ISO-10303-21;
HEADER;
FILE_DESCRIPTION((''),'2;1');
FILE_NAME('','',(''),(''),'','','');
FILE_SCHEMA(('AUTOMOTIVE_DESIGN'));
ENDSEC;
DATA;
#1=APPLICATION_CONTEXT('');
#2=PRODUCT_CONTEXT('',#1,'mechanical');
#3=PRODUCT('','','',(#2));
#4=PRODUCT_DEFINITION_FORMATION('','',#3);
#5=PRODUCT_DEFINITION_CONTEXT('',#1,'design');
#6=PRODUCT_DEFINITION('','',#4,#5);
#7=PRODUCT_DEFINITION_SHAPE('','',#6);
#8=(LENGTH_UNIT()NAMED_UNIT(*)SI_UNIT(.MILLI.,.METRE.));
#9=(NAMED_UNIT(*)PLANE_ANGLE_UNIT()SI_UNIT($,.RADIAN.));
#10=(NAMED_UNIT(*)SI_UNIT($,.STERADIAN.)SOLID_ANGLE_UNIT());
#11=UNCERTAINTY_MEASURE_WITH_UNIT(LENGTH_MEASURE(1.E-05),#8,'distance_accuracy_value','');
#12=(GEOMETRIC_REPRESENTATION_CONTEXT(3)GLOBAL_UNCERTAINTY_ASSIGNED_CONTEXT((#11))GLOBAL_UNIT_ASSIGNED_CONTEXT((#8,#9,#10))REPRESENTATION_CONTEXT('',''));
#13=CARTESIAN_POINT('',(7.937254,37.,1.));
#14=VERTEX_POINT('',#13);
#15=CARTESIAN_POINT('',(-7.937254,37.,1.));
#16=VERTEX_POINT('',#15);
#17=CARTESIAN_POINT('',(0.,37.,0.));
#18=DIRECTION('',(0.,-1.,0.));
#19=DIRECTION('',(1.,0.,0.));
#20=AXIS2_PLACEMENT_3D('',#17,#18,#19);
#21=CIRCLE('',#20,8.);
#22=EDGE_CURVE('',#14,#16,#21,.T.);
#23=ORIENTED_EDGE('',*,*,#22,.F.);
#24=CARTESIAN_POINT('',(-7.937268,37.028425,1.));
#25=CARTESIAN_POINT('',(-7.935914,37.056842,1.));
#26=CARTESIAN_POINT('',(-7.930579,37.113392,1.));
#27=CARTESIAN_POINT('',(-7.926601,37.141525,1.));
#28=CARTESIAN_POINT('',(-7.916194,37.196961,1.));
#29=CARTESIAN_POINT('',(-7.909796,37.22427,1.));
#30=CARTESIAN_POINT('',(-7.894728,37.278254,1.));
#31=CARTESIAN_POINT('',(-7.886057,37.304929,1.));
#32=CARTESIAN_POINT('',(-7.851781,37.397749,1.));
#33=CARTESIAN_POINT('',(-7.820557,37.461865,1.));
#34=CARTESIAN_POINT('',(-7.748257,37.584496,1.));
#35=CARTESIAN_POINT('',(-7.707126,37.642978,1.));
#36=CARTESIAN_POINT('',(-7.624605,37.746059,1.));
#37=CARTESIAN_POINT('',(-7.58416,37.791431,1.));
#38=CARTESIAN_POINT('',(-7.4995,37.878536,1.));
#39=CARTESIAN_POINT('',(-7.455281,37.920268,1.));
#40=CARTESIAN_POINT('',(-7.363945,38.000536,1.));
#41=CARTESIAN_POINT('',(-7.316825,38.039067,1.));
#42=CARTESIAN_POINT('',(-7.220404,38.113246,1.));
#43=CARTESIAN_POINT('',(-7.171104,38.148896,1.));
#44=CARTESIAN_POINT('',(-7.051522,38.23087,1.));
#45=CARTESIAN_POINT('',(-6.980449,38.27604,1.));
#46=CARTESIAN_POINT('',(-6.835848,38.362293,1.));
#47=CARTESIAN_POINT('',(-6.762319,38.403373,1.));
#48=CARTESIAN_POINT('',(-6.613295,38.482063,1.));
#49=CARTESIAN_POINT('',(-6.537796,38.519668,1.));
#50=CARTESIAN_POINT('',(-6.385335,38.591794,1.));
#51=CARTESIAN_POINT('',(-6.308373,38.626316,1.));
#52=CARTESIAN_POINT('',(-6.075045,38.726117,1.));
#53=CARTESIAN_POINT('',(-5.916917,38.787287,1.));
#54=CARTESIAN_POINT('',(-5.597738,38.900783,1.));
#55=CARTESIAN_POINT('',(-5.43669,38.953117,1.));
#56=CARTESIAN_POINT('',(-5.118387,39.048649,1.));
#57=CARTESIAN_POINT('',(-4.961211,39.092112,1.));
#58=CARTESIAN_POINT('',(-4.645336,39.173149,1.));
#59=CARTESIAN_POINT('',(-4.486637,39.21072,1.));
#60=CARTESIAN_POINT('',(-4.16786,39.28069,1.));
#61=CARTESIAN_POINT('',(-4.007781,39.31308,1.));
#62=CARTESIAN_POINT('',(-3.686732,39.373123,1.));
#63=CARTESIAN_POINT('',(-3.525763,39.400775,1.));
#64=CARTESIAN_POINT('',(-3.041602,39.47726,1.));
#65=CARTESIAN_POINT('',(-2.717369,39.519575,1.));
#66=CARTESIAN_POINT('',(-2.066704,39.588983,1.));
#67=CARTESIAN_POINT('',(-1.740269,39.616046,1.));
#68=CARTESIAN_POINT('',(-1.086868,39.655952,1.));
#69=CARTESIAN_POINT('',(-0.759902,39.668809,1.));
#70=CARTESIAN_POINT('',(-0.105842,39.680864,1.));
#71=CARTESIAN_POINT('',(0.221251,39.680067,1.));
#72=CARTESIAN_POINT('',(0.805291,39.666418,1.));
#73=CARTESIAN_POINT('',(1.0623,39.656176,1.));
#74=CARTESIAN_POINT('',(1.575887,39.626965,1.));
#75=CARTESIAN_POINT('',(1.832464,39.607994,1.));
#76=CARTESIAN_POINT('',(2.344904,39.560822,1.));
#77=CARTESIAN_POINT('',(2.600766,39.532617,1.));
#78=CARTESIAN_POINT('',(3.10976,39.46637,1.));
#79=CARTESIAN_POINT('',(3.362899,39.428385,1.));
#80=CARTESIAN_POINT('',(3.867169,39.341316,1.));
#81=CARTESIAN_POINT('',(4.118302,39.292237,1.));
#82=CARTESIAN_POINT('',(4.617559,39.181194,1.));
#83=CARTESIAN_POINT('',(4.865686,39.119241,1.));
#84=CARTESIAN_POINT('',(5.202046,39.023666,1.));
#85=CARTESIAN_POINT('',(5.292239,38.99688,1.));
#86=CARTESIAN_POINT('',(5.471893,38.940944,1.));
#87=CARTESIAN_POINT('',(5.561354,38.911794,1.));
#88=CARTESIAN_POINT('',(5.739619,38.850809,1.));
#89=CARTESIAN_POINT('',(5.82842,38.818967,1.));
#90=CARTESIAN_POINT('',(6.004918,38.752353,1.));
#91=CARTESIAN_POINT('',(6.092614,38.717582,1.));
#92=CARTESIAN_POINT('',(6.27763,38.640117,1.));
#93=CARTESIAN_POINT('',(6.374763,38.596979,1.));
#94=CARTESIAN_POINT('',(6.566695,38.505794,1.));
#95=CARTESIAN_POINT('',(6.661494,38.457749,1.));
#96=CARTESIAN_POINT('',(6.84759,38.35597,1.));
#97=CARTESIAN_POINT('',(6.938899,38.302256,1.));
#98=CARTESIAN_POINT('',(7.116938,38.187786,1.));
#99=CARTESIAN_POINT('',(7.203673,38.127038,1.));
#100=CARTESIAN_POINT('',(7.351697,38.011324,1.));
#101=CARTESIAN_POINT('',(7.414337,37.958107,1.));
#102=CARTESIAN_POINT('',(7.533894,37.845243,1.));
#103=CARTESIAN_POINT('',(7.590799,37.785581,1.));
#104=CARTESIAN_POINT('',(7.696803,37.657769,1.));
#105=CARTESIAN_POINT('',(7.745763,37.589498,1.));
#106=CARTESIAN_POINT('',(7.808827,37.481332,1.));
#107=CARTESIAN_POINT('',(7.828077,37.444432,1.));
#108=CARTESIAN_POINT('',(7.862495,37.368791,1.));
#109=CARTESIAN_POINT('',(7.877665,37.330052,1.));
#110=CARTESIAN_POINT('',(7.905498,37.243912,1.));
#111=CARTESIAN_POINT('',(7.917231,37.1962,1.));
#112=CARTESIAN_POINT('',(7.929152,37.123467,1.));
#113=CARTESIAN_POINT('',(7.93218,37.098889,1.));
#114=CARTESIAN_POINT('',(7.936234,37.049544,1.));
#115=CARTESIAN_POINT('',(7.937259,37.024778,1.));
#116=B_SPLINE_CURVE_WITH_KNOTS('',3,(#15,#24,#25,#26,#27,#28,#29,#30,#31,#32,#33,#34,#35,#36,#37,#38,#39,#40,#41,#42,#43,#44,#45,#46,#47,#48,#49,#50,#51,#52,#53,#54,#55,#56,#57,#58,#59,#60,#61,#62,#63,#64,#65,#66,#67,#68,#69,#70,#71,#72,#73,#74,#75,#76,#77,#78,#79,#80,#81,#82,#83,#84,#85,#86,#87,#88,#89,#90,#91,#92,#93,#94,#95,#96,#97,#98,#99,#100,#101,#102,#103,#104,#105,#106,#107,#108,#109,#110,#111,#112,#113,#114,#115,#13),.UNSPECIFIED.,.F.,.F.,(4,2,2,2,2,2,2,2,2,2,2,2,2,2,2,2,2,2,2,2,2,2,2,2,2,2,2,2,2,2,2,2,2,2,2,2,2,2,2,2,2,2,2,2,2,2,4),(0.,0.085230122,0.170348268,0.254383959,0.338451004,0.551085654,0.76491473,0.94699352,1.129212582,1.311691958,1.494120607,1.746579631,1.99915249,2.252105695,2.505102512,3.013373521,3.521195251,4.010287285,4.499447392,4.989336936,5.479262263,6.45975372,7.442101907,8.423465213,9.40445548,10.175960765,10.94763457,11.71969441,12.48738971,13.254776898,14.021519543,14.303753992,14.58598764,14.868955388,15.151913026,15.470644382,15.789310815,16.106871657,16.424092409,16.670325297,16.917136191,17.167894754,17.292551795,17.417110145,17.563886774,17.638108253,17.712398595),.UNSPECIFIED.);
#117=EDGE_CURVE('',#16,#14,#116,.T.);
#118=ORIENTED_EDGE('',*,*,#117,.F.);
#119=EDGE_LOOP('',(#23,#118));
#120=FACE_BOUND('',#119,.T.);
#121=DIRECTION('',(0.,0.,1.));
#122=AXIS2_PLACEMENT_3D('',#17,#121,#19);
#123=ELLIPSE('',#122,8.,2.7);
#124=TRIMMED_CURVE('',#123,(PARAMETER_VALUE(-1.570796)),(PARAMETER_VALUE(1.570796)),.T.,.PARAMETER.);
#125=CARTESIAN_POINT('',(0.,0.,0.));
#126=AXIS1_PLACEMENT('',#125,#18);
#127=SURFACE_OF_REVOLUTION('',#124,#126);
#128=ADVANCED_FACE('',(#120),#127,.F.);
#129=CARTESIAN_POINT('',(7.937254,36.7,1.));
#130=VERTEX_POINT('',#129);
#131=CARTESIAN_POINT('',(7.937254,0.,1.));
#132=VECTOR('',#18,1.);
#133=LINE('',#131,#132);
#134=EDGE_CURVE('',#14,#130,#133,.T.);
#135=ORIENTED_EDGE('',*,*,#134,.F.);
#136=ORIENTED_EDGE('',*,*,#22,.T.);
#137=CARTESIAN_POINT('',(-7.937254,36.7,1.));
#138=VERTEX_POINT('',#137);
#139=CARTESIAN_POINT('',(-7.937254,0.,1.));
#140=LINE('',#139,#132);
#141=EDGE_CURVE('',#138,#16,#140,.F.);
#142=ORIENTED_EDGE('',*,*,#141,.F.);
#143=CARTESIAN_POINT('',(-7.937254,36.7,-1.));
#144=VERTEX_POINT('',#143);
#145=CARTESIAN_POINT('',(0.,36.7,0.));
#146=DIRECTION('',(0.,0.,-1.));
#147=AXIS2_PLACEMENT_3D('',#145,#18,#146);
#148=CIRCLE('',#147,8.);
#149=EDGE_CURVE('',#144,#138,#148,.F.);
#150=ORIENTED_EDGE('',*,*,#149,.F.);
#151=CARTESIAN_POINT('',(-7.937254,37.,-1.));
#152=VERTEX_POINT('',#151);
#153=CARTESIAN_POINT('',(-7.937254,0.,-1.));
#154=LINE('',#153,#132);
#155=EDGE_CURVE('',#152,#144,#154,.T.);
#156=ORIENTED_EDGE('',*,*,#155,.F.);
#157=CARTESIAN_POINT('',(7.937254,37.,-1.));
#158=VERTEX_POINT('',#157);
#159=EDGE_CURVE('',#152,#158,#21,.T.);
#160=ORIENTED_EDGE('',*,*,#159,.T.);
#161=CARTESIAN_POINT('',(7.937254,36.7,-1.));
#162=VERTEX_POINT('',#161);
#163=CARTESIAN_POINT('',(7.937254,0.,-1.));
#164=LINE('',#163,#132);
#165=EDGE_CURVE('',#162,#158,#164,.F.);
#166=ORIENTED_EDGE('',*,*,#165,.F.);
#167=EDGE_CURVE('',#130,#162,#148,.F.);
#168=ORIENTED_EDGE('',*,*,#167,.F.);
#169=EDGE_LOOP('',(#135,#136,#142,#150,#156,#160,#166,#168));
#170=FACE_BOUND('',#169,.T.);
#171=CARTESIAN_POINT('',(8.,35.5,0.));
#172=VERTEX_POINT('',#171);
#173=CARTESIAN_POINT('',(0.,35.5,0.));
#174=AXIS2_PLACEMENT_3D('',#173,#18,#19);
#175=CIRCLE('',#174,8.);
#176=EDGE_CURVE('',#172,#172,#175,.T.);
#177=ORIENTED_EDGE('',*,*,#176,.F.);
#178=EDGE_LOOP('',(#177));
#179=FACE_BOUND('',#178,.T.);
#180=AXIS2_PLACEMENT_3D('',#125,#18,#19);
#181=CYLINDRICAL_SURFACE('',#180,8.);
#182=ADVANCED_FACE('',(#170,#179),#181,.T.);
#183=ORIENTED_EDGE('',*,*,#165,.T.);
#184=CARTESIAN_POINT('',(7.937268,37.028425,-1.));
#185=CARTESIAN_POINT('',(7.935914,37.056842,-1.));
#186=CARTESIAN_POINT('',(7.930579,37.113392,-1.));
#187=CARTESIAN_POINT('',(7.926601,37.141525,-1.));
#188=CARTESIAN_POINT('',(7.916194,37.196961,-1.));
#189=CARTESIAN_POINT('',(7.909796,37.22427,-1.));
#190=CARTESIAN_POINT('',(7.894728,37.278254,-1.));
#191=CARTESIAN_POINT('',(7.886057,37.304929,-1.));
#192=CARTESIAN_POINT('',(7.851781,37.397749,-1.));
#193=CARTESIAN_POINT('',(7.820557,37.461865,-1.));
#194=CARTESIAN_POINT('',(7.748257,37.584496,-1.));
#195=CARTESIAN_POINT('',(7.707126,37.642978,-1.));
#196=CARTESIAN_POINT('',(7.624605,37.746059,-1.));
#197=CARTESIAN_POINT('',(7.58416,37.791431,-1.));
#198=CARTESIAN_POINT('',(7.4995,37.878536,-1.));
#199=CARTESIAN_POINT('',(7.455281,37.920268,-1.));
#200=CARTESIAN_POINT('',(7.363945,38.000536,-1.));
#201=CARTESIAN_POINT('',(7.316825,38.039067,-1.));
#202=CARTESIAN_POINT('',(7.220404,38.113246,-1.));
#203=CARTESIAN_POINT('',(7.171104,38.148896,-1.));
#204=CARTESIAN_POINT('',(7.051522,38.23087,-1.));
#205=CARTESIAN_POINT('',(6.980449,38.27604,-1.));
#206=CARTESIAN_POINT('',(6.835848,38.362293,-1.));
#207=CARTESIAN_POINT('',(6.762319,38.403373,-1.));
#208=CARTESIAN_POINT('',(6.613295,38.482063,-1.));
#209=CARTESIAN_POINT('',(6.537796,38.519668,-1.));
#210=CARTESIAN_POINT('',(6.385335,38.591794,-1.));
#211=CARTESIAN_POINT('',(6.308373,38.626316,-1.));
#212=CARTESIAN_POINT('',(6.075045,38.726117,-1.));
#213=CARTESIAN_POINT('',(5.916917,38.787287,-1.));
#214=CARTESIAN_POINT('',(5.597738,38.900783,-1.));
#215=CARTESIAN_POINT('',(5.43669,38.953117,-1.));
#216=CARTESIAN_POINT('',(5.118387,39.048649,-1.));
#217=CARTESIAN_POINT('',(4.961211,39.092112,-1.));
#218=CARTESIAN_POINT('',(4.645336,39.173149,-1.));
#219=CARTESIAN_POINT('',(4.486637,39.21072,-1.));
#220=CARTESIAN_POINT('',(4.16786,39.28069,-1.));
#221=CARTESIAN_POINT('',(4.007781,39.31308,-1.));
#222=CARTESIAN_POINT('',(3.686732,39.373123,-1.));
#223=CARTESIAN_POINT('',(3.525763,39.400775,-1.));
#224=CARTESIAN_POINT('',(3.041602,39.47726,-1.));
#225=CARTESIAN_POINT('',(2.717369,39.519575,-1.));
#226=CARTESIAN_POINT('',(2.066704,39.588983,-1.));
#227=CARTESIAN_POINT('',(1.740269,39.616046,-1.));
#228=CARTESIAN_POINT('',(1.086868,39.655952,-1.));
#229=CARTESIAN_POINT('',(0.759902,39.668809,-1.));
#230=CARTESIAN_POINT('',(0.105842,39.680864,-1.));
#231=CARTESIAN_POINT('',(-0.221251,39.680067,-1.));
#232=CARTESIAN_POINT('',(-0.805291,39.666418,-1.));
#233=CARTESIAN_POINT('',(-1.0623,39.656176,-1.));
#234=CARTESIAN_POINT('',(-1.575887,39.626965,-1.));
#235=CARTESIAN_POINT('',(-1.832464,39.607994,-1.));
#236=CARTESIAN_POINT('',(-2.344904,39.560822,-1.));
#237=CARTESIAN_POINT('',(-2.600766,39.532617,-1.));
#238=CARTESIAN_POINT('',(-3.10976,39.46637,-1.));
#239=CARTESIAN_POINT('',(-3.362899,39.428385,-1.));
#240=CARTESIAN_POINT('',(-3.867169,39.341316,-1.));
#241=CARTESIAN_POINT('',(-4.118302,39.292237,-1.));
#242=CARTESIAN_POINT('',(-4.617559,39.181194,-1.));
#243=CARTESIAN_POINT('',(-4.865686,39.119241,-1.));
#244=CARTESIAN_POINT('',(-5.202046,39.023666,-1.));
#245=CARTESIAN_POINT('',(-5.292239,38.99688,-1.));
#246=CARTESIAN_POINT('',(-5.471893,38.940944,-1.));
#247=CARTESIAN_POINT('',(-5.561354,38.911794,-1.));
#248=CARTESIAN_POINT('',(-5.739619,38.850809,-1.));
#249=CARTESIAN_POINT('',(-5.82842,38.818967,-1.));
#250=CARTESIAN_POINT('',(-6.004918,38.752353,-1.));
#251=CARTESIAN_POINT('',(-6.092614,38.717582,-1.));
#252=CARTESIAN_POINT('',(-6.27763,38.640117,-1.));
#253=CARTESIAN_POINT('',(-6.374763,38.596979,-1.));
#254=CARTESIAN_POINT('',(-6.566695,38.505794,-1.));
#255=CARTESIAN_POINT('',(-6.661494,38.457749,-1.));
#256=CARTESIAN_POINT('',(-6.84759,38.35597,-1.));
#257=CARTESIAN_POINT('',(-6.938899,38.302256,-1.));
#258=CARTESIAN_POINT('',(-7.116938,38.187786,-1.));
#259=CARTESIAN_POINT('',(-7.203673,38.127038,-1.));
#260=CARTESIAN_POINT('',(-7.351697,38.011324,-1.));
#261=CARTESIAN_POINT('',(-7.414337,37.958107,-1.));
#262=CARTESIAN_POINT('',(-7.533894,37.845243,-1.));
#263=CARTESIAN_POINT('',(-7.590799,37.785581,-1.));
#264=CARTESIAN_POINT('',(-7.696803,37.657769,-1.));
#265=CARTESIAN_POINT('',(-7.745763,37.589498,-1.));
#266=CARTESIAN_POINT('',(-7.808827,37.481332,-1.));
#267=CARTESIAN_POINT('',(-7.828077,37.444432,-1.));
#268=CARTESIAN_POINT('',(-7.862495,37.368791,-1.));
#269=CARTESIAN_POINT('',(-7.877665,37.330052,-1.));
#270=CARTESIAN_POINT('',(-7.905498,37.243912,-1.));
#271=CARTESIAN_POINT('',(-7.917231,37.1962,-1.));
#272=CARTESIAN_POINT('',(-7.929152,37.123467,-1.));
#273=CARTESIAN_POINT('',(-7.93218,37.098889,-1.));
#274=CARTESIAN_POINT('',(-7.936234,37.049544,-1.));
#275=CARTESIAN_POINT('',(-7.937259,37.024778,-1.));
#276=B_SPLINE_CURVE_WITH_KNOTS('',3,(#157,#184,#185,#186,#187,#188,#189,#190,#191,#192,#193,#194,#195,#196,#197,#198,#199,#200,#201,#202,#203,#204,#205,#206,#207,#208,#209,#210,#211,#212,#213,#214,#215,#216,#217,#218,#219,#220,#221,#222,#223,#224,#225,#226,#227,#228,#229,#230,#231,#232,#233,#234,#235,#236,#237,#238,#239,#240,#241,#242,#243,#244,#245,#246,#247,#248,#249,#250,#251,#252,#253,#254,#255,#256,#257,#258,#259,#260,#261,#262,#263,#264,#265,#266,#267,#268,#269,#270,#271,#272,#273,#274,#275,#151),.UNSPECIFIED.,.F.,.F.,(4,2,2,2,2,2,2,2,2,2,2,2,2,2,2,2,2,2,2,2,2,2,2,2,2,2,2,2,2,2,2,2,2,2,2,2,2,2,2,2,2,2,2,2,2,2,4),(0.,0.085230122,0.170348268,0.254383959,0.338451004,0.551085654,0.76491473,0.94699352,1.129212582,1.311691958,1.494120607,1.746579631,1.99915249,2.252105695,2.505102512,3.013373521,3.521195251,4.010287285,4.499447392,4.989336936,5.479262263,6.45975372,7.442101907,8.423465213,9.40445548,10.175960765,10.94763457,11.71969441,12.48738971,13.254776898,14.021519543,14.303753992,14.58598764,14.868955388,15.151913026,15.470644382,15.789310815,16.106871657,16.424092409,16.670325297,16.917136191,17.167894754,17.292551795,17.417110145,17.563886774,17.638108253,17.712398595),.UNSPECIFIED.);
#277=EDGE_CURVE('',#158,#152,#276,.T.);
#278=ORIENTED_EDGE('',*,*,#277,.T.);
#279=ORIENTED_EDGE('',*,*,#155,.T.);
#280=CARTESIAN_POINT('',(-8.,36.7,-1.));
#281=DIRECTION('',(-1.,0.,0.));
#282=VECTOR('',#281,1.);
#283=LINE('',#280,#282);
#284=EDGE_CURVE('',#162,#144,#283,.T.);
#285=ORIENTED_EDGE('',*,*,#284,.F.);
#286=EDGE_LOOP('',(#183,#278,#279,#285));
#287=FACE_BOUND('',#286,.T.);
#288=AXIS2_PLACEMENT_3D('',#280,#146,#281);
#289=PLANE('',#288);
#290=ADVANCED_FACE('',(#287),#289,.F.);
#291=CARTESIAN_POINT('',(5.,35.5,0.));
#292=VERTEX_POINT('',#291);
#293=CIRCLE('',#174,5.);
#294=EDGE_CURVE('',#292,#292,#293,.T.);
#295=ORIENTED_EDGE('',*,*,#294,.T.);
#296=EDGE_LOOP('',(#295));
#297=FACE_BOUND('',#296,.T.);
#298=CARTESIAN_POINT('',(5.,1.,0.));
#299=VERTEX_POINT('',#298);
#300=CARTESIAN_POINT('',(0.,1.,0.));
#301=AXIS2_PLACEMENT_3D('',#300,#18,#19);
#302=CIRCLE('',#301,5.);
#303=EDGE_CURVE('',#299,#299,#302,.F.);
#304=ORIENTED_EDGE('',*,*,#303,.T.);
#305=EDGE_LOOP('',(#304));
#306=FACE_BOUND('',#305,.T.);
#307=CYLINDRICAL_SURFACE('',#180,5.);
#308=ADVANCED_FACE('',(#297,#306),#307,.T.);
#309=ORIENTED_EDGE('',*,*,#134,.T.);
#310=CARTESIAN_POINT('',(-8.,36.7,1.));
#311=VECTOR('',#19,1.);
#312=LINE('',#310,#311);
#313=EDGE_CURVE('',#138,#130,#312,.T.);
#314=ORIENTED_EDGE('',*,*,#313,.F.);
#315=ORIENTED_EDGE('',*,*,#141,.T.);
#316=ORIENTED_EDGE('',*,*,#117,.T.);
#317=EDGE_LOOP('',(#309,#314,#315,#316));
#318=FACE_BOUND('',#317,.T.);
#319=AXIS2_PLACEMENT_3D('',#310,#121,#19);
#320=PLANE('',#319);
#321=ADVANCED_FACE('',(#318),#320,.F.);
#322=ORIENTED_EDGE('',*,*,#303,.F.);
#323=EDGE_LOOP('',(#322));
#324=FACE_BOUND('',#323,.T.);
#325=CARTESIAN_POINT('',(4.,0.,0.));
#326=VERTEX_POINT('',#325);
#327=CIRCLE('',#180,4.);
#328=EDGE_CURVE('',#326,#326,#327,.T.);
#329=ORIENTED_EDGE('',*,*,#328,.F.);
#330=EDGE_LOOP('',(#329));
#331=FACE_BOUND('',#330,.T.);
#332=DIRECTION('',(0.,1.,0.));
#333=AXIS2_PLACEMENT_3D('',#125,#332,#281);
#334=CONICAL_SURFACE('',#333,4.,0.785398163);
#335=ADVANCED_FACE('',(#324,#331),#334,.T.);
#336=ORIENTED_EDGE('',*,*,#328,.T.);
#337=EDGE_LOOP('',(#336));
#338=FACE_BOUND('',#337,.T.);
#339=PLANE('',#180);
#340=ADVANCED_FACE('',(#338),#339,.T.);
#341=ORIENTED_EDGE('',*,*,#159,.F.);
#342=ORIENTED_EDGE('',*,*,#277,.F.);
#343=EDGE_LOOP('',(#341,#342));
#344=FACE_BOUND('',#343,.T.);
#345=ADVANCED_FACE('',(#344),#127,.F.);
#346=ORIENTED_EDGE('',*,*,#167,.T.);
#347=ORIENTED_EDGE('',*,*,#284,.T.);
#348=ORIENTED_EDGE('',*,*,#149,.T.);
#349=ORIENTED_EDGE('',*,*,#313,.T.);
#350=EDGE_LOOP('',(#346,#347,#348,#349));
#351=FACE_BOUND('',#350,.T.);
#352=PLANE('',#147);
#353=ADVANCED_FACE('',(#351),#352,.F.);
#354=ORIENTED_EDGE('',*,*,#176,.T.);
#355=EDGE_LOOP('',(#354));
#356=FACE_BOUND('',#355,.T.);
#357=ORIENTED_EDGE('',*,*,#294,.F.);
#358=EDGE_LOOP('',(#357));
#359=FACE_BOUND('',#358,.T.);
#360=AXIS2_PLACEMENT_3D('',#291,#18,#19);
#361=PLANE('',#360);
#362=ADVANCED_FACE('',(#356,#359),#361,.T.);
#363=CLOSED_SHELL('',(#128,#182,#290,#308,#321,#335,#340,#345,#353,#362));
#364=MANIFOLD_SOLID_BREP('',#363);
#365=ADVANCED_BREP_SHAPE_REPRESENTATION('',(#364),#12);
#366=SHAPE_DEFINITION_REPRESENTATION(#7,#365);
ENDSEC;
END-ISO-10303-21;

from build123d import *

# Parameters (mm, degrees)
SFAZOWANIE1_SIZE           = 1
SZKIC14_W                  = 16
SZKIC14_H                  = 2
WYTNIJ_WYCI_GNI_CIE1_DEPTH = 3


with BuildPart() as part:
    # Szkic1 → Obrót1 (revolve)
    with BuildSketch(Plane.XY):
        with BuildLine():
            Line((0, 0), (5, 0))
            Line((5, 0), (5, 35.5))
            Line((5, 35.5), (8, 35.5))
            Line((8, 35.5), (8, 37))
            add(Edge.make_bspline(
                [(8, 37), (8, 39.7), (0, 39.7)],
                knots=[0, 0, 0, 1.570796327, 1.570796327, 1.570796327], degree=2, weights=[1, 0.707106781, 1]))
            Line((0, 39.7), (0, 0))
        make_face()
    revolve(axis=Axis((0, 0, 0), (0, 1, 0)))

    # Sfazowanie1
    sfazowanie1_edges = [part.edges().sort_by_distance(p)[0] for p in [
        (-5, 0, 0),
    ]]
    chamfer(sfazowanie1_edges, length=SFAZOWANIE1_SIZE)

    # Szkic14 → Wytnij-wyciągnięcie1 (cut)
    with BuildSketch(Plane(origin=(0, 39.7, 0), x_dir=(1, 0, 0), z_dir=(0, 1, 0))):
        Rectangle(SZKIC14_W, SZKIC14_H)
    extrude(amount=-WYTNIJ_WYCI_GNI_CIE1_DEPTH, mode=Mode.SUBTRACT)


solid = part.part
